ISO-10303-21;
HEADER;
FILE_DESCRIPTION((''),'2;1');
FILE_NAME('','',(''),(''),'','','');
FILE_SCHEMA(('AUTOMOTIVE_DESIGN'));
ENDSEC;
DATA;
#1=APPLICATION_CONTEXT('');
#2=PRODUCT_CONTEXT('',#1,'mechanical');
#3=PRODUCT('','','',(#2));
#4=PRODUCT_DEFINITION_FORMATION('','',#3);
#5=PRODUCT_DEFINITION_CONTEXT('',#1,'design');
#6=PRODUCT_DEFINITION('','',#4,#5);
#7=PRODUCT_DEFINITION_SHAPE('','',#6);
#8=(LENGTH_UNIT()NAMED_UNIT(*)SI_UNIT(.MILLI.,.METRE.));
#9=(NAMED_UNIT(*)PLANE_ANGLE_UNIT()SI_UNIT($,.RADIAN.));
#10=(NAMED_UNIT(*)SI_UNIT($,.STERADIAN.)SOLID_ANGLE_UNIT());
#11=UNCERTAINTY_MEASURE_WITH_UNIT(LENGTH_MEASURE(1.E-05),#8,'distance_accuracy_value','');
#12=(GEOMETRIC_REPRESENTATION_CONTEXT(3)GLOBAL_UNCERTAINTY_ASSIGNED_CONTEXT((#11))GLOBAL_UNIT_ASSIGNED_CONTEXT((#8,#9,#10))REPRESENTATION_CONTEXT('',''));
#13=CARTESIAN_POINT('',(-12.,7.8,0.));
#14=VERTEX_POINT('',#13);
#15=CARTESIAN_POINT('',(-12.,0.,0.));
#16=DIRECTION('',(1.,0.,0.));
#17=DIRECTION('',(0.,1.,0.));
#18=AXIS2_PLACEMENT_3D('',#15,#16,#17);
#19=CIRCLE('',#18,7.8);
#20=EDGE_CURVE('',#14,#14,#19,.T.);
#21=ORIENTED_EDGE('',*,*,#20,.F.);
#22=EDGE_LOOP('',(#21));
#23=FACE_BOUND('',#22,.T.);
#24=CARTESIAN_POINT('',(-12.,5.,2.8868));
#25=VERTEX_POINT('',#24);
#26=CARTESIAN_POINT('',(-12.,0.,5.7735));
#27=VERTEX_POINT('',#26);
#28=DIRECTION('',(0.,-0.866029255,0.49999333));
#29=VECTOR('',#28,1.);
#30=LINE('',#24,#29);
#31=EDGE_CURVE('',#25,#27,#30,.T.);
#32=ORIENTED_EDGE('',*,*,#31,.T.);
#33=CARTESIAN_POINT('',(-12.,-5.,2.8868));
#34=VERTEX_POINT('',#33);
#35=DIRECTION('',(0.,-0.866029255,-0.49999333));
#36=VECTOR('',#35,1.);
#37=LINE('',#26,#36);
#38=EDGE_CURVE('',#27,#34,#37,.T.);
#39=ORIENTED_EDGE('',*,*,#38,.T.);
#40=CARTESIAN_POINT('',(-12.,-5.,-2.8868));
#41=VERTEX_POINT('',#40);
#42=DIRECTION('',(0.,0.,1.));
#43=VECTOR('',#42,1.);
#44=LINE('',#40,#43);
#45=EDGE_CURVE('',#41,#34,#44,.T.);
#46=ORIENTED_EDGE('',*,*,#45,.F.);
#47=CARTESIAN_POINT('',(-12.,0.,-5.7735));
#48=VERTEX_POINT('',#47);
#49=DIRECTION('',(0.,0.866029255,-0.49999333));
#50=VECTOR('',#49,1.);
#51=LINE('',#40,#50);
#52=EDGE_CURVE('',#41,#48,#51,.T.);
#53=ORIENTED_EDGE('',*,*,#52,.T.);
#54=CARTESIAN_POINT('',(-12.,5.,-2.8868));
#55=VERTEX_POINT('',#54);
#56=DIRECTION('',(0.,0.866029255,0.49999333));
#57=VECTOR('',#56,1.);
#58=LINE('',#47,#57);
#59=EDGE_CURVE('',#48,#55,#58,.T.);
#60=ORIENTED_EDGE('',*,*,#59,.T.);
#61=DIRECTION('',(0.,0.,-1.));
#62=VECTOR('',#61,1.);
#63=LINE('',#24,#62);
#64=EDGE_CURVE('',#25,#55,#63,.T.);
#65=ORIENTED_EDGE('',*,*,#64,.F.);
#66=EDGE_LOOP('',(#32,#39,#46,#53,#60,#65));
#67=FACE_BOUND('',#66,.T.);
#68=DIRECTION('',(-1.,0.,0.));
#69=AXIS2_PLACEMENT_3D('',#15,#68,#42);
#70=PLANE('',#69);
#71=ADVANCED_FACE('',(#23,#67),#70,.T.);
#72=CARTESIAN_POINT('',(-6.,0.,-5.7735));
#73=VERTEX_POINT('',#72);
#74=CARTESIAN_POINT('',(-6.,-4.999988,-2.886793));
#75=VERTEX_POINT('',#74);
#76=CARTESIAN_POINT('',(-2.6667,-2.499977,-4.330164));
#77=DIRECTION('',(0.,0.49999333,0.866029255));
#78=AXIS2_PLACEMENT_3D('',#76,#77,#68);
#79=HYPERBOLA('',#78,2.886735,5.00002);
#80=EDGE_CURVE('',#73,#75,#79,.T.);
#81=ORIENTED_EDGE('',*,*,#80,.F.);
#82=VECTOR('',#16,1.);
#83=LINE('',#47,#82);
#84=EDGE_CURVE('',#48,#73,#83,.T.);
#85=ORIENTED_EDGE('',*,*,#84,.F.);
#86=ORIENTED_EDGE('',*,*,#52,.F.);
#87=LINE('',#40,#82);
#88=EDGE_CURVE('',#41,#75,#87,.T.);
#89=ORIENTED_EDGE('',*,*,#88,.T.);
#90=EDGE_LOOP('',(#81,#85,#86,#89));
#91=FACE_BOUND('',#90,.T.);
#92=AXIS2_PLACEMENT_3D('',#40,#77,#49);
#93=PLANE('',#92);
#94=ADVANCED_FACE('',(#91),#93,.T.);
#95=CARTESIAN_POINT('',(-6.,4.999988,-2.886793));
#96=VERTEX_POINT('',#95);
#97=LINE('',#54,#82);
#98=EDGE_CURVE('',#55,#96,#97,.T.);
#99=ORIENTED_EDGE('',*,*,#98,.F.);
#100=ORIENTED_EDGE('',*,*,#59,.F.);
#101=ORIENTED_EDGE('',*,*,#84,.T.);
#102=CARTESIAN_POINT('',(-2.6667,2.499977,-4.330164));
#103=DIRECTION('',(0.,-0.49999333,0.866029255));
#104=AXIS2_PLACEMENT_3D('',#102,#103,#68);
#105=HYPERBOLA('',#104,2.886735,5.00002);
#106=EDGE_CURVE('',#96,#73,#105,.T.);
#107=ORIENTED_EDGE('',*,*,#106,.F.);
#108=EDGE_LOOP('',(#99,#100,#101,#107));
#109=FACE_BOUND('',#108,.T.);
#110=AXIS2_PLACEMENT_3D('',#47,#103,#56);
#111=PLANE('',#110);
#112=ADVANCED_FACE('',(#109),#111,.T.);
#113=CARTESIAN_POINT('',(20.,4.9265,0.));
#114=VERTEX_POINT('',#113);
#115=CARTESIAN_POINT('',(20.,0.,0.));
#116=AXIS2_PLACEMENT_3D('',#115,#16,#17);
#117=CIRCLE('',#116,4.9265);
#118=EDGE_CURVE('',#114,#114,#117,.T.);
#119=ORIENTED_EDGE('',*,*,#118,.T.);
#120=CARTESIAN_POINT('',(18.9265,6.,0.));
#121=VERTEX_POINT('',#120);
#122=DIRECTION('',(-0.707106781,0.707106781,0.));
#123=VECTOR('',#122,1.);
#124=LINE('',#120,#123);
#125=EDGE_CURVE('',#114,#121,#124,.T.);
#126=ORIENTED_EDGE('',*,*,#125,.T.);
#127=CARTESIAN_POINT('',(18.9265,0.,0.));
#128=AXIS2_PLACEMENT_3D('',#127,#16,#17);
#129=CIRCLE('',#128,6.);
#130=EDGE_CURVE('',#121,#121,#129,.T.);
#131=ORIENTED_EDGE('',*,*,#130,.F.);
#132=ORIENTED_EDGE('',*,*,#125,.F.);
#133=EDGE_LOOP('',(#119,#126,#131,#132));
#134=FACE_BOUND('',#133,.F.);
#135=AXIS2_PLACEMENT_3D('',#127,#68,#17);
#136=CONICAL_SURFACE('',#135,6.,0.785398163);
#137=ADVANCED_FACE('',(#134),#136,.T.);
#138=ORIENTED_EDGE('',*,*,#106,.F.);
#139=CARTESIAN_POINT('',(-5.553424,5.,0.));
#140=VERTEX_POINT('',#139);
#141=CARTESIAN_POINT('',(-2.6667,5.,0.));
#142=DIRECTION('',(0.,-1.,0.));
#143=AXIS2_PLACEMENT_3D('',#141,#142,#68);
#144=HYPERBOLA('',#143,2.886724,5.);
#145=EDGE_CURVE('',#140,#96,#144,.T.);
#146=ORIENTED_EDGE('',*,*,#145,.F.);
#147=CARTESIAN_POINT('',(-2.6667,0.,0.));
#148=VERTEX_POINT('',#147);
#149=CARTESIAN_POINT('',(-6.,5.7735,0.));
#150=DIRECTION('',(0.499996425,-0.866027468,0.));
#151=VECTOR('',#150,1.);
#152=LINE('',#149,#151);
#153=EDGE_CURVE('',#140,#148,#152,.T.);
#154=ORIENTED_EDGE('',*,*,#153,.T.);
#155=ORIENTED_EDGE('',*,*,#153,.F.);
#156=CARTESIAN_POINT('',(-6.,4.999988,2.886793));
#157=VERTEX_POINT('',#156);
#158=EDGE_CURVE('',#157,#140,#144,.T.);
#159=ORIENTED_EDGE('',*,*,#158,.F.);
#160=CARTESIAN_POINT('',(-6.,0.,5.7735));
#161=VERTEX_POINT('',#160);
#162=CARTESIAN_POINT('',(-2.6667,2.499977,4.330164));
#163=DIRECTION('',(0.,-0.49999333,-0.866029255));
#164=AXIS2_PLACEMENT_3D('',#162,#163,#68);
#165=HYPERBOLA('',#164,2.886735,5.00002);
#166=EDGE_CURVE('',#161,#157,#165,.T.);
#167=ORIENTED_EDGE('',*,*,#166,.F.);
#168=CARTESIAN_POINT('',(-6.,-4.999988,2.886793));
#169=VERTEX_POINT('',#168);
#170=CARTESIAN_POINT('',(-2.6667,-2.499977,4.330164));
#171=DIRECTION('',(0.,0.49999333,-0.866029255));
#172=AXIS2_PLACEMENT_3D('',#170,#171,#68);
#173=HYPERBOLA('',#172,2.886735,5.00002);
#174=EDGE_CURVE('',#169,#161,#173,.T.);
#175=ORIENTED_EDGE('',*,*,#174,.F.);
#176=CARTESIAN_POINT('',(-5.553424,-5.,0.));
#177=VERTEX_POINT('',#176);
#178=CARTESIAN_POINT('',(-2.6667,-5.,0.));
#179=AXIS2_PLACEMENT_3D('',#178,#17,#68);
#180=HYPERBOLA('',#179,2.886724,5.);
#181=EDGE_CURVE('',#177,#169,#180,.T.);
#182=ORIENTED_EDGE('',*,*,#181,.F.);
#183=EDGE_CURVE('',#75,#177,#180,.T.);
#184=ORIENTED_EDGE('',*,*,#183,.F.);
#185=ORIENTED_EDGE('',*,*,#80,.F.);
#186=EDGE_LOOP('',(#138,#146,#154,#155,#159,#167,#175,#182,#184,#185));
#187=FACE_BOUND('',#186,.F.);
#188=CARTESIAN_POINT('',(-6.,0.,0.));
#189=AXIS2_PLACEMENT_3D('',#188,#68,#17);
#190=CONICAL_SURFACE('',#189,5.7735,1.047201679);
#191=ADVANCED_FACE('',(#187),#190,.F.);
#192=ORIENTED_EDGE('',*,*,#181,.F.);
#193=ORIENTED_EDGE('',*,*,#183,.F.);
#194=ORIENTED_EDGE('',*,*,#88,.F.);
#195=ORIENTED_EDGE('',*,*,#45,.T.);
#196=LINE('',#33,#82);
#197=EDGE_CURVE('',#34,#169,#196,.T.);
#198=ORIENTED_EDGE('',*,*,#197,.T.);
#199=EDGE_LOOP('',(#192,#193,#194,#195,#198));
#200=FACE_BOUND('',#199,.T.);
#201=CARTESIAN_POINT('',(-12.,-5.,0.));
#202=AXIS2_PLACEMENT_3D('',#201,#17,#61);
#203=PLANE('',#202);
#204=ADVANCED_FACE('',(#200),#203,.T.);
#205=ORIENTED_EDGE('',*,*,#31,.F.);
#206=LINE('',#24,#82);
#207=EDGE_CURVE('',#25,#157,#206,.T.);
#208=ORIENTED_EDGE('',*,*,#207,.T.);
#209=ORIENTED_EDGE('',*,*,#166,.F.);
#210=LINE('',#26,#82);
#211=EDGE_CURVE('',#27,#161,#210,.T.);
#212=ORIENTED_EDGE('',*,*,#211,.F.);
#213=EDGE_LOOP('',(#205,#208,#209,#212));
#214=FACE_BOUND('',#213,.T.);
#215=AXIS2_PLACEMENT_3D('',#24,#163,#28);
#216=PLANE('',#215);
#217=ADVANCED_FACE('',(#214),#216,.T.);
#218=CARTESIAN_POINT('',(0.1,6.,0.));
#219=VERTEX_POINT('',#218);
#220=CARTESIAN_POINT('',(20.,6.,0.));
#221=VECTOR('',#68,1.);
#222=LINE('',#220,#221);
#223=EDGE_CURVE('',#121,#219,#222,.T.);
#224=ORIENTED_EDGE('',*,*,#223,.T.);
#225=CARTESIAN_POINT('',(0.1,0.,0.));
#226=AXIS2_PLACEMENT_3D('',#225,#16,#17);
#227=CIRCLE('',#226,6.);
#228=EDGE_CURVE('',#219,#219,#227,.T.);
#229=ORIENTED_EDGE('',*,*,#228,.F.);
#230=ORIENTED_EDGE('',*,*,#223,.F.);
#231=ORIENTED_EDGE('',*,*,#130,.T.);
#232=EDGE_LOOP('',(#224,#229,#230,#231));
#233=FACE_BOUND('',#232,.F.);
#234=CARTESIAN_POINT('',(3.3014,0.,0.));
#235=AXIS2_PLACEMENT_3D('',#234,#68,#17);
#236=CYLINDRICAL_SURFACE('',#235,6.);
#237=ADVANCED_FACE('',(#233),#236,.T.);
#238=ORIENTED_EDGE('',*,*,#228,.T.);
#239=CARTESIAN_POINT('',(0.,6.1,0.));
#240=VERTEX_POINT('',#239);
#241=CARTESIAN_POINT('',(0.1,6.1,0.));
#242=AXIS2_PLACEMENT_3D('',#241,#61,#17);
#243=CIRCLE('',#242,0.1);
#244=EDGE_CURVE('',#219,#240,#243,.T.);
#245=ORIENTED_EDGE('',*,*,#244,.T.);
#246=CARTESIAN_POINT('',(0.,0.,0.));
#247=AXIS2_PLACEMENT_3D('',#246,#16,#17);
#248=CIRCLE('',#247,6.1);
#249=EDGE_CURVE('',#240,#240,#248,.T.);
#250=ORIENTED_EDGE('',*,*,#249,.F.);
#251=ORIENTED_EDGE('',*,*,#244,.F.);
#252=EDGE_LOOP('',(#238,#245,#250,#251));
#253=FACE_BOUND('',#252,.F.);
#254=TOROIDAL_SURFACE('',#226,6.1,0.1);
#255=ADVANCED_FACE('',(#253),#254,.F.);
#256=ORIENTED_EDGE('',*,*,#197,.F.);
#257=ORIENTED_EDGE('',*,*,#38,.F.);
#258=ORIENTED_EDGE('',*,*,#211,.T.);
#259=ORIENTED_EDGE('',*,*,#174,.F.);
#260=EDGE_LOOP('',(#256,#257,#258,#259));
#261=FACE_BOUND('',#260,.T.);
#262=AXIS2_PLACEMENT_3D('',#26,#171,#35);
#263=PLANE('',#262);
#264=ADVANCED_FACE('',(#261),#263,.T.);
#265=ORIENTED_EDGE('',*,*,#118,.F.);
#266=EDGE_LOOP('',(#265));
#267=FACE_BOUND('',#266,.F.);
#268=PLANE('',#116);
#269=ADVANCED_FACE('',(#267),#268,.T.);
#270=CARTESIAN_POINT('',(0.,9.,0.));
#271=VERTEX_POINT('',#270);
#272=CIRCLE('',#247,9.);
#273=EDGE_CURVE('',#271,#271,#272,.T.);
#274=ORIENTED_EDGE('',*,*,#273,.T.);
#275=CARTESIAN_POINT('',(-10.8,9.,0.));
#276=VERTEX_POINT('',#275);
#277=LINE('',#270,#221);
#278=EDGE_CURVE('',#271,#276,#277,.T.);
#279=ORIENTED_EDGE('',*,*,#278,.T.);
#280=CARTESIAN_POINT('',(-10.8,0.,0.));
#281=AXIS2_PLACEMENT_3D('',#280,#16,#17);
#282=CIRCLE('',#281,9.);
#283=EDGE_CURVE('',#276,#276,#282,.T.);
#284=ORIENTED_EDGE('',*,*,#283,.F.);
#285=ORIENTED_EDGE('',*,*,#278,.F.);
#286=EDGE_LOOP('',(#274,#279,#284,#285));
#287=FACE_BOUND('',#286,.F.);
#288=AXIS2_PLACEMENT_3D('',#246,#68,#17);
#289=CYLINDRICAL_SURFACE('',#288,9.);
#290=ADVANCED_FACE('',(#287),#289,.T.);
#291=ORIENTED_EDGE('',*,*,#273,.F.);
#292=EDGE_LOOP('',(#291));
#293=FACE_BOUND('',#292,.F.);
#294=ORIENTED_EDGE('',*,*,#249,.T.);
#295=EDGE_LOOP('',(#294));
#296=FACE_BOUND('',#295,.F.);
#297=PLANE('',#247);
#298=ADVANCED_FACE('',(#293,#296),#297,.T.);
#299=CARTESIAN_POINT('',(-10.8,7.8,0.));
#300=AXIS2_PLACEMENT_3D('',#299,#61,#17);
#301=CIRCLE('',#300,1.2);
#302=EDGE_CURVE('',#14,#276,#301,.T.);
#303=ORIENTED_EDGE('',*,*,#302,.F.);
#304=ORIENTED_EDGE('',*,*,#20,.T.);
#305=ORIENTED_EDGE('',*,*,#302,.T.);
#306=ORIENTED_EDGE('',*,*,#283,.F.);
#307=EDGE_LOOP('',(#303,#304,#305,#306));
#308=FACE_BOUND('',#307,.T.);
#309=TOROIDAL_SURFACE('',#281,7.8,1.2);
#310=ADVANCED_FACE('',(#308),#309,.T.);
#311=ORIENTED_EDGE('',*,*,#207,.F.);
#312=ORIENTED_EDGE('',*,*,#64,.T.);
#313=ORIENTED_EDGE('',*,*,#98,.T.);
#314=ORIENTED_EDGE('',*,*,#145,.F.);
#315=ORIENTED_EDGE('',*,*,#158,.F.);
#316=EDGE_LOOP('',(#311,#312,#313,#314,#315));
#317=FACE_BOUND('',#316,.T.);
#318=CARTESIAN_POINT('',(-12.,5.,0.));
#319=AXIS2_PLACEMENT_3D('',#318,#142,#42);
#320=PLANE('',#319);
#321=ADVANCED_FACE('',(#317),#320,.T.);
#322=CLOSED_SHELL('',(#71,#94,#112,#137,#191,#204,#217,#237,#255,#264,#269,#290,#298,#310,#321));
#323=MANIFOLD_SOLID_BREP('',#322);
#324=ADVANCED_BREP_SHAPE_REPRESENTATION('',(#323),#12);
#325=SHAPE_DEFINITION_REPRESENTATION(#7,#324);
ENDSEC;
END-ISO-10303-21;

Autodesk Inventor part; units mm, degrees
ref_plane "YZ Plane" through (0, 0, 0) normal (1, 0, 0) x (0, 1, 0)
ref_plane "XZ Plane" through (0, 0, 0) normal (0, 1, 0) x (-1, 0, 0)
sketch "Sketch1" plane through (0, 0, 0) normal (0, 0, 1) x (1, 0, 0)
  line L0 (-2.6667, 0) -> (20, 0)
  line L1 (20, 0) -> (20, 6)
  line L2 (20, 6) -> (4.375, 6)
  line L3 (4.375, 6) -> (3.3014, 6)
  line L4 (3.3014, 6) -> (0, 6)
  line L5 (0, 6) -> (0, 9)
  line L6 (0, 9) -> (-12, 9)
  line L7 (-12, 9) -> (-12, 5.7735)
  line L8 (-12, 5.7735) -> (-6, 5.7735)
  line L9 (-6, 5.7735) -> (-2.6667, 0)
  line L10 (-18.4, 0) -> (26.4, 0) projected
  line L11 (0, -1.8) -> (0, 10.8) projected
  line L12 (4.375, 6) -> (0, 6) construction
  dimension "d1" = 15.625
  dimension "d2" = 1.0736
  dimension "d3" = 12
  dimension "d4" = 6
  dimension "d5" = 60
  dimension "d6" = 12
  dimension "d7" = 12
  dimension "d8" = 11.547
  dimension "d9" = 18
  dimension "d26" = 20
revolve "Body" add sketch "Sketch1" angle 360 about axis through (-2.6667, 0, 0) along (1, 0, 0)
sketch "Sketch2" plane through (-12, 0, 0) normal (-1, 0, 0) x (0, 0, 1)
  circle A0 centre (0, 0) radius 5.7735 projected
  line L0 (0, -12.6) -> (0, 12.6) projected
  line L1 (-12.6, 0) -> (12.6, 0) projected
  line L2 (5.7735, 0) -> (2.8868, -5)
  line L3 (2.8868, -5) -> (-2.8868, -5)
  line L4 (-2.8868, -5) -> (-5.7735, 0)
  line L5 (-5.7735, 0) -> (-2.8868, 5)
  line L6 (-2.8868, 5) -> (2.8868, 5)
  line L7 (2.8868, 5) -> (5.7735, 0)
extrude "Slot" add sketch "Sketch2" against normal up to next contours L7 A0 | A0 L2 | L6 L0 A0 | A0 L0 L3 | L0 L6 A0 | A0 L3 L0 | L4 A0 | A0 L5
fillet "Fillet1" radius 1.2 1 edges at (-12, -9, 0)
thread "Thread" size "M12x1.75" class "6g" standard "ISO Metric profile" length 15.625
chamfer "Chamfer1" distance 1.0735 distance2 1.0735 1 edges at (20, -6, 0) measured on face at (20, -3.0269, -1.5886)
ref_plane "Work Plane1" through (29, 0, 0) normal (0, -1, 0) x (1, 0, 0)
fillet "Fillet2" radius 0.1 1 edges at (0, -6, 0)
equation "\"d1\" = GEL"
equation "\"d3\" = KOH"
equation "\"d4\" = INTI"
equation "\"d6\" = GD"
equation "\"d7\" = BDM"
equation "\"d8\" = 1.1547 * SW"
equation "\"d9\" = KOD"
equation "\"d26\" = NLG"
equation "\"d30\" = R"
equation "\"d17\" = RR"
equation "\"d13\" = GEL"
equation "\"d15\" = -0.5 * SPD + 0.5 * GD"
equation "\"d16\" = GUL"
equation "\"GD\" = NND"
equation "\"NLG\" = 20"
equation "\"GEL\" = 15.625"
equation "\"KOD\" = 18"
equation "\"KOH\" = NND"
equation "\"INTI\" = 6"
equation "\"GAL\" = 0.61345 * PTC"
equation "\"GUL\" = 0.61345 * PTC"
equation "\"BDM\" = NND"
equation "\"RR\" = 0.1 * NND"
equation "\"SPD\" = NND - 1.2269 * PTC"
equation "\"R\" = 0.1"
equation "\"PHH\" = 0.25"
equation "\"GD1\" = THREADDIA - 1.2269 * PTC"
equation "\"THREADDIA\" = 12"
equation "\"FAWI\" = 45deg"
equation "\"PTC\" = 1.75"
equation "\"KOH1\" = 10.8"
equation "\"NND\" = 12"
equation "\"TOA\" = 30deg"
equation "\"E0\" = 1.155 * SW"
equation "\"SW\" = 10"
properties part number "AS 1420 - 1973 - M12 x 20" material "Steel, Mild"
